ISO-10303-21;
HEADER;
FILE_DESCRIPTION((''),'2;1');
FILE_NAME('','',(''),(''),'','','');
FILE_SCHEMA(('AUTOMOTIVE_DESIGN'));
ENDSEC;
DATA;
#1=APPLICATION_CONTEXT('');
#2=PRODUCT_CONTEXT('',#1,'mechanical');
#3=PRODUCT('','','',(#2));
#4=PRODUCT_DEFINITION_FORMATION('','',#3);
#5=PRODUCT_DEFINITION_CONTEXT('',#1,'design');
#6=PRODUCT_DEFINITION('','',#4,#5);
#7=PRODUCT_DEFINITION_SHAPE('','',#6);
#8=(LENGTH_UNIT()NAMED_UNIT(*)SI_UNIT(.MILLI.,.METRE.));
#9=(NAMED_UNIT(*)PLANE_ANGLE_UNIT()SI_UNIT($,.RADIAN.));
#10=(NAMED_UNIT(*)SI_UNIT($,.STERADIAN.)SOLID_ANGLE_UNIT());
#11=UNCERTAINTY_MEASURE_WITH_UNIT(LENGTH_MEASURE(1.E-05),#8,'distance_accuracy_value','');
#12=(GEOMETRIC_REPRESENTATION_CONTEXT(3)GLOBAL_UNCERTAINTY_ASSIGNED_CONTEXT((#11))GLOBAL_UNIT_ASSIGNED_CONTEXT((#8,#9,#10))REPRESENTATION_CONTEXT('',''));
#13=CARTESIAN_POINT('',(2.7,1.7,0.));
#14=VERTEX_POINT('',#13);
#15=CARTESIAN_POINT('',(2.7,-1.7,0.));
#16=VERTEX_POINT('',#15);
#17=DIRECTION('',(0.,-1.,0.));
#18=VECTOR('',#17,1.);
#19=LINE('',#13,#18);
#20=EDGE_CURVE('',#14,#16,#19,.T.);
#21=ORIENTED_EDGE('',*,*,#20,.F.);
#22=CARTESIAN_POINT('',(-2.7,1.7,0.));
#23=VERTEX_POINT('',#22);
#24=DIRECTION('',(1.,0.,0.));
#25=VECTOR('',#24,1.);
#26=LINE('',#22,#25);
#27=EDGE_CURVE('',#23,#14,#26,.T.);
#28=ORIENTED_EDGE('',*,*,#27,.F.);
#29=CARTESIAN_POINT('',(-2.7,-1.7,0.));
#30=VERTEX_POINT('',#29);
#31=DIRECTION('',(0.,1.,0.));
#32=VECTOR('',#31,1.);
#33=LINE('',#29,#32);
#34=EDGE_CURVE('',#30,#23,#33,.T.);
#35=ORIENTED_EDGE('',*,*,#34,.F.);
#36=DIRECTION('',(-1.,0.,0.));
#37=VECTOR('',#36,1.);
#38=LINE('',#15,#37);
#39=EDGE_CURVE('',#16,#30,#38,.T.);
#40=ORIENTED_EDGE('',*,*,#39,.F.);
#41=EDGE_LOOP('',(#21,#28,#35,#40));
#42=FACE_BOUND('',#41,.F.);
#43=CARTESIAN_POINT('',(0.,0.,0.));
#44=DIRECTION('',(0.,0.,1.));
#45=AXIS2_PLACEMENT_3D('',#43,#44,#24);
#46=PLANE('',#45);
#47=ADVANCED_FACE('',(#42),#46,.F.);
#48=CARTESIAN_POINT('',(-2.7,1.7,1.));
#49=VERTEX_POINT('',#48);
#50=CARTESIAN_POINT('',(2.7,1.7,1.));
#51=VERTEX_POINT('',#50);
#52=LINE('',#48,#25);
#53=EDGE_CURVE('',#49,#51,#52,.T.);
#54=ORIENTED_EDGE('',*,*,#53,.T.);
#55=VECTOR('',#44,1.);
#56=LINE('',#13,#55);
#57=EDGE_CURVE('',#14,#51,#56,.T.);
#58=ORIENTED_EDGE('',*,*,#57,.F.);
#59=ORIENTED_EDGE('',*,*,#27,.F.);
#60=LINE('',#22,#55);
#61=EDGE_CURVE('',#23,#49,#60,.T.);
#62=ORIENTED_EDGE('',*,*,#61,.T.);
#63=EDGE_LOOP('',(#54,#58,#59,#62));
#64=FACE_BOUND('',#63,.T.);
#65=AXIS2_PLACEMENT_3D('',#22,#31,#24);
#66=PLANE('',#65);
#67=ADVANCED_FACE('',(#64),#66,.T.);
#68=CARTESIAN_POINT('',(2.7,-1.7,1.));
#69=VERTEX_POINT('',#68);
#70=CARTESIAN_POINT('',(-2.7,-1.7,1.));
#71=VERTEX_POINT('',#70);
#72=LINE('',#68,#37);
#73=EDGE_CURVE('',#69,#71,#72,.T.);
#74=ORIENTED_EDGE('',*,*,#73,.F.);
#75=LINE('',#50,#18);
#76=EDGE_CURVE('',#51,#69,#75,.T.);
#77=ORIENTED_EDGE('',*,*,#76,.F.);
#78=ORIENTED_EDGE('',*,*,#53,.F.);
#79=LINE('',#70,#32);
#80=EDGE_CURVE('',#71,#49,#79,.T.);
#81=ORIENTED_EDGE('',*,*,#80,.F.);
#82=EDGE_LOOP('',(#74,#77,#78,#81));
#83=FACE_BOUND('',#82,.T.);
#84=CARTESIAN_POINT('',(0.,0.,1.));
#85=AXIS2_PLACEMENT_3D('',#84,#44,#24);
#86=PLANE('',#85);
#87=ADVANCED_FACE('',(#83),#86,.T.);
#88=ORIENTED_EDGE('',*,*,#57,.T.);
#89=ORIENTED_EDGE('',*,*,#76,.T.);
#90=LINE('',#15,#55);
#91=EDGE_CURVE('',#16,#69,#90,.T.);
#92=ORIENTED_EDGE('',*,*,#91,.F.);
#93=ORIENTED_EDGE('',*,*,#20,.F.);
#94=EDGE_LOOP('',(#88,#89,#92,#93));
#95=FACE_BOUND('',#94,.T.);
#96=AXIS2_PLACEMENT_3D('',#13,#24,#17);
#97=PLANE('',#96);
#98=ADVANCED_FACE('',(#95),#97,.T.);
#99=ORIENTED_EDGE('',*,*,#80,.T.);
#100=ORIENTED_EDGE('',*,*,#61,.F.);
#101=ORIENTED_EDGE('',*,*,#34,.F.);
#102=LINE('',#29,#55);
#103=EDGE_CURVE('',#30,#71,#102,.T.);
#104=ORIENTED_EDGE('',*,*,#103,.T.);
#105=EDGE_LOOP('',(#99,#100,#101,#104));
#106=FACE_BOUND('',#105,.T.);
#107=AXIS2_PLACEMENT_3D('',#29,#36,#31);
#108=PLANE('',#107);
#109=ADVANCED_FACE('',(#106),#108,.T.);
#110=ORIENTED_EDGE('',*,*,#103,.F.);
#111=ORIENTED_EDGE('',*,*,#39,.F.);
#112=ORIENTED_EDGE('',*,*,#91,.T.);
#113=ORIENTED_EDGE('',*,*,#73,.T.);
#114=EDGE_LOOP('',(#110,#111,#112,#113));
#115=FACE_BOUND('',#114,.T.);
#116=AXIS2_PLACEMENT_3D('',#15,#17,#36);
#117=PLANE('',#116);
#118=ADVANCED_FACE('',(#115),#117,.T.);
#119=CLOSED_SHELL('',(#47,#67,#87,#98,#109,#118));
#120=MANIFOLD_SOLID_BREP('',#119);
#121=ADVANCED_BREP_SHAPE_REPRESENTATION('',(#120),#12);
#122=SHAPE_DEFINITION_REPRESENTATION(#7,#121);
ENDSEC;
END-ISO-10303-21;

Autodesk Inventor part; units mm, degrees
ref_plane "YZ Plane" through (0, 0, 0) normal (1, 0, 0) x (0, 1, 0)
ref_plane "XZ Plane" through (0, 0, 0) normal (0, 1, 0) x (-1, 0, 0)
ref_plane "XY Plane" through (0, 0, 0) normal (0, 0, 1) x (1, 0, 0)
sketch "7A_SMD_XTAL, XTAL_TXC_7A_161" plane through (0, 0, 0) normal (0, 0, 1) x (1, 0, 0)
  line L0 (-2.7, -1.7) -> (-2.7, 1.7)
  line L1 (-2.7, 1.7) -> (2.7, 1.7)
  line L2 (2.7, 1.7) -> (2.7, -1.7)
  line L3 (2.7, -1.7) -> (-2.7, -1.7)
extrude "Extrusion1" add sketch "7A_SMD_XTAL, XTAL_TXC_7A_161" along normal blind 1
properties part number "XTAL_TXC_7A"
